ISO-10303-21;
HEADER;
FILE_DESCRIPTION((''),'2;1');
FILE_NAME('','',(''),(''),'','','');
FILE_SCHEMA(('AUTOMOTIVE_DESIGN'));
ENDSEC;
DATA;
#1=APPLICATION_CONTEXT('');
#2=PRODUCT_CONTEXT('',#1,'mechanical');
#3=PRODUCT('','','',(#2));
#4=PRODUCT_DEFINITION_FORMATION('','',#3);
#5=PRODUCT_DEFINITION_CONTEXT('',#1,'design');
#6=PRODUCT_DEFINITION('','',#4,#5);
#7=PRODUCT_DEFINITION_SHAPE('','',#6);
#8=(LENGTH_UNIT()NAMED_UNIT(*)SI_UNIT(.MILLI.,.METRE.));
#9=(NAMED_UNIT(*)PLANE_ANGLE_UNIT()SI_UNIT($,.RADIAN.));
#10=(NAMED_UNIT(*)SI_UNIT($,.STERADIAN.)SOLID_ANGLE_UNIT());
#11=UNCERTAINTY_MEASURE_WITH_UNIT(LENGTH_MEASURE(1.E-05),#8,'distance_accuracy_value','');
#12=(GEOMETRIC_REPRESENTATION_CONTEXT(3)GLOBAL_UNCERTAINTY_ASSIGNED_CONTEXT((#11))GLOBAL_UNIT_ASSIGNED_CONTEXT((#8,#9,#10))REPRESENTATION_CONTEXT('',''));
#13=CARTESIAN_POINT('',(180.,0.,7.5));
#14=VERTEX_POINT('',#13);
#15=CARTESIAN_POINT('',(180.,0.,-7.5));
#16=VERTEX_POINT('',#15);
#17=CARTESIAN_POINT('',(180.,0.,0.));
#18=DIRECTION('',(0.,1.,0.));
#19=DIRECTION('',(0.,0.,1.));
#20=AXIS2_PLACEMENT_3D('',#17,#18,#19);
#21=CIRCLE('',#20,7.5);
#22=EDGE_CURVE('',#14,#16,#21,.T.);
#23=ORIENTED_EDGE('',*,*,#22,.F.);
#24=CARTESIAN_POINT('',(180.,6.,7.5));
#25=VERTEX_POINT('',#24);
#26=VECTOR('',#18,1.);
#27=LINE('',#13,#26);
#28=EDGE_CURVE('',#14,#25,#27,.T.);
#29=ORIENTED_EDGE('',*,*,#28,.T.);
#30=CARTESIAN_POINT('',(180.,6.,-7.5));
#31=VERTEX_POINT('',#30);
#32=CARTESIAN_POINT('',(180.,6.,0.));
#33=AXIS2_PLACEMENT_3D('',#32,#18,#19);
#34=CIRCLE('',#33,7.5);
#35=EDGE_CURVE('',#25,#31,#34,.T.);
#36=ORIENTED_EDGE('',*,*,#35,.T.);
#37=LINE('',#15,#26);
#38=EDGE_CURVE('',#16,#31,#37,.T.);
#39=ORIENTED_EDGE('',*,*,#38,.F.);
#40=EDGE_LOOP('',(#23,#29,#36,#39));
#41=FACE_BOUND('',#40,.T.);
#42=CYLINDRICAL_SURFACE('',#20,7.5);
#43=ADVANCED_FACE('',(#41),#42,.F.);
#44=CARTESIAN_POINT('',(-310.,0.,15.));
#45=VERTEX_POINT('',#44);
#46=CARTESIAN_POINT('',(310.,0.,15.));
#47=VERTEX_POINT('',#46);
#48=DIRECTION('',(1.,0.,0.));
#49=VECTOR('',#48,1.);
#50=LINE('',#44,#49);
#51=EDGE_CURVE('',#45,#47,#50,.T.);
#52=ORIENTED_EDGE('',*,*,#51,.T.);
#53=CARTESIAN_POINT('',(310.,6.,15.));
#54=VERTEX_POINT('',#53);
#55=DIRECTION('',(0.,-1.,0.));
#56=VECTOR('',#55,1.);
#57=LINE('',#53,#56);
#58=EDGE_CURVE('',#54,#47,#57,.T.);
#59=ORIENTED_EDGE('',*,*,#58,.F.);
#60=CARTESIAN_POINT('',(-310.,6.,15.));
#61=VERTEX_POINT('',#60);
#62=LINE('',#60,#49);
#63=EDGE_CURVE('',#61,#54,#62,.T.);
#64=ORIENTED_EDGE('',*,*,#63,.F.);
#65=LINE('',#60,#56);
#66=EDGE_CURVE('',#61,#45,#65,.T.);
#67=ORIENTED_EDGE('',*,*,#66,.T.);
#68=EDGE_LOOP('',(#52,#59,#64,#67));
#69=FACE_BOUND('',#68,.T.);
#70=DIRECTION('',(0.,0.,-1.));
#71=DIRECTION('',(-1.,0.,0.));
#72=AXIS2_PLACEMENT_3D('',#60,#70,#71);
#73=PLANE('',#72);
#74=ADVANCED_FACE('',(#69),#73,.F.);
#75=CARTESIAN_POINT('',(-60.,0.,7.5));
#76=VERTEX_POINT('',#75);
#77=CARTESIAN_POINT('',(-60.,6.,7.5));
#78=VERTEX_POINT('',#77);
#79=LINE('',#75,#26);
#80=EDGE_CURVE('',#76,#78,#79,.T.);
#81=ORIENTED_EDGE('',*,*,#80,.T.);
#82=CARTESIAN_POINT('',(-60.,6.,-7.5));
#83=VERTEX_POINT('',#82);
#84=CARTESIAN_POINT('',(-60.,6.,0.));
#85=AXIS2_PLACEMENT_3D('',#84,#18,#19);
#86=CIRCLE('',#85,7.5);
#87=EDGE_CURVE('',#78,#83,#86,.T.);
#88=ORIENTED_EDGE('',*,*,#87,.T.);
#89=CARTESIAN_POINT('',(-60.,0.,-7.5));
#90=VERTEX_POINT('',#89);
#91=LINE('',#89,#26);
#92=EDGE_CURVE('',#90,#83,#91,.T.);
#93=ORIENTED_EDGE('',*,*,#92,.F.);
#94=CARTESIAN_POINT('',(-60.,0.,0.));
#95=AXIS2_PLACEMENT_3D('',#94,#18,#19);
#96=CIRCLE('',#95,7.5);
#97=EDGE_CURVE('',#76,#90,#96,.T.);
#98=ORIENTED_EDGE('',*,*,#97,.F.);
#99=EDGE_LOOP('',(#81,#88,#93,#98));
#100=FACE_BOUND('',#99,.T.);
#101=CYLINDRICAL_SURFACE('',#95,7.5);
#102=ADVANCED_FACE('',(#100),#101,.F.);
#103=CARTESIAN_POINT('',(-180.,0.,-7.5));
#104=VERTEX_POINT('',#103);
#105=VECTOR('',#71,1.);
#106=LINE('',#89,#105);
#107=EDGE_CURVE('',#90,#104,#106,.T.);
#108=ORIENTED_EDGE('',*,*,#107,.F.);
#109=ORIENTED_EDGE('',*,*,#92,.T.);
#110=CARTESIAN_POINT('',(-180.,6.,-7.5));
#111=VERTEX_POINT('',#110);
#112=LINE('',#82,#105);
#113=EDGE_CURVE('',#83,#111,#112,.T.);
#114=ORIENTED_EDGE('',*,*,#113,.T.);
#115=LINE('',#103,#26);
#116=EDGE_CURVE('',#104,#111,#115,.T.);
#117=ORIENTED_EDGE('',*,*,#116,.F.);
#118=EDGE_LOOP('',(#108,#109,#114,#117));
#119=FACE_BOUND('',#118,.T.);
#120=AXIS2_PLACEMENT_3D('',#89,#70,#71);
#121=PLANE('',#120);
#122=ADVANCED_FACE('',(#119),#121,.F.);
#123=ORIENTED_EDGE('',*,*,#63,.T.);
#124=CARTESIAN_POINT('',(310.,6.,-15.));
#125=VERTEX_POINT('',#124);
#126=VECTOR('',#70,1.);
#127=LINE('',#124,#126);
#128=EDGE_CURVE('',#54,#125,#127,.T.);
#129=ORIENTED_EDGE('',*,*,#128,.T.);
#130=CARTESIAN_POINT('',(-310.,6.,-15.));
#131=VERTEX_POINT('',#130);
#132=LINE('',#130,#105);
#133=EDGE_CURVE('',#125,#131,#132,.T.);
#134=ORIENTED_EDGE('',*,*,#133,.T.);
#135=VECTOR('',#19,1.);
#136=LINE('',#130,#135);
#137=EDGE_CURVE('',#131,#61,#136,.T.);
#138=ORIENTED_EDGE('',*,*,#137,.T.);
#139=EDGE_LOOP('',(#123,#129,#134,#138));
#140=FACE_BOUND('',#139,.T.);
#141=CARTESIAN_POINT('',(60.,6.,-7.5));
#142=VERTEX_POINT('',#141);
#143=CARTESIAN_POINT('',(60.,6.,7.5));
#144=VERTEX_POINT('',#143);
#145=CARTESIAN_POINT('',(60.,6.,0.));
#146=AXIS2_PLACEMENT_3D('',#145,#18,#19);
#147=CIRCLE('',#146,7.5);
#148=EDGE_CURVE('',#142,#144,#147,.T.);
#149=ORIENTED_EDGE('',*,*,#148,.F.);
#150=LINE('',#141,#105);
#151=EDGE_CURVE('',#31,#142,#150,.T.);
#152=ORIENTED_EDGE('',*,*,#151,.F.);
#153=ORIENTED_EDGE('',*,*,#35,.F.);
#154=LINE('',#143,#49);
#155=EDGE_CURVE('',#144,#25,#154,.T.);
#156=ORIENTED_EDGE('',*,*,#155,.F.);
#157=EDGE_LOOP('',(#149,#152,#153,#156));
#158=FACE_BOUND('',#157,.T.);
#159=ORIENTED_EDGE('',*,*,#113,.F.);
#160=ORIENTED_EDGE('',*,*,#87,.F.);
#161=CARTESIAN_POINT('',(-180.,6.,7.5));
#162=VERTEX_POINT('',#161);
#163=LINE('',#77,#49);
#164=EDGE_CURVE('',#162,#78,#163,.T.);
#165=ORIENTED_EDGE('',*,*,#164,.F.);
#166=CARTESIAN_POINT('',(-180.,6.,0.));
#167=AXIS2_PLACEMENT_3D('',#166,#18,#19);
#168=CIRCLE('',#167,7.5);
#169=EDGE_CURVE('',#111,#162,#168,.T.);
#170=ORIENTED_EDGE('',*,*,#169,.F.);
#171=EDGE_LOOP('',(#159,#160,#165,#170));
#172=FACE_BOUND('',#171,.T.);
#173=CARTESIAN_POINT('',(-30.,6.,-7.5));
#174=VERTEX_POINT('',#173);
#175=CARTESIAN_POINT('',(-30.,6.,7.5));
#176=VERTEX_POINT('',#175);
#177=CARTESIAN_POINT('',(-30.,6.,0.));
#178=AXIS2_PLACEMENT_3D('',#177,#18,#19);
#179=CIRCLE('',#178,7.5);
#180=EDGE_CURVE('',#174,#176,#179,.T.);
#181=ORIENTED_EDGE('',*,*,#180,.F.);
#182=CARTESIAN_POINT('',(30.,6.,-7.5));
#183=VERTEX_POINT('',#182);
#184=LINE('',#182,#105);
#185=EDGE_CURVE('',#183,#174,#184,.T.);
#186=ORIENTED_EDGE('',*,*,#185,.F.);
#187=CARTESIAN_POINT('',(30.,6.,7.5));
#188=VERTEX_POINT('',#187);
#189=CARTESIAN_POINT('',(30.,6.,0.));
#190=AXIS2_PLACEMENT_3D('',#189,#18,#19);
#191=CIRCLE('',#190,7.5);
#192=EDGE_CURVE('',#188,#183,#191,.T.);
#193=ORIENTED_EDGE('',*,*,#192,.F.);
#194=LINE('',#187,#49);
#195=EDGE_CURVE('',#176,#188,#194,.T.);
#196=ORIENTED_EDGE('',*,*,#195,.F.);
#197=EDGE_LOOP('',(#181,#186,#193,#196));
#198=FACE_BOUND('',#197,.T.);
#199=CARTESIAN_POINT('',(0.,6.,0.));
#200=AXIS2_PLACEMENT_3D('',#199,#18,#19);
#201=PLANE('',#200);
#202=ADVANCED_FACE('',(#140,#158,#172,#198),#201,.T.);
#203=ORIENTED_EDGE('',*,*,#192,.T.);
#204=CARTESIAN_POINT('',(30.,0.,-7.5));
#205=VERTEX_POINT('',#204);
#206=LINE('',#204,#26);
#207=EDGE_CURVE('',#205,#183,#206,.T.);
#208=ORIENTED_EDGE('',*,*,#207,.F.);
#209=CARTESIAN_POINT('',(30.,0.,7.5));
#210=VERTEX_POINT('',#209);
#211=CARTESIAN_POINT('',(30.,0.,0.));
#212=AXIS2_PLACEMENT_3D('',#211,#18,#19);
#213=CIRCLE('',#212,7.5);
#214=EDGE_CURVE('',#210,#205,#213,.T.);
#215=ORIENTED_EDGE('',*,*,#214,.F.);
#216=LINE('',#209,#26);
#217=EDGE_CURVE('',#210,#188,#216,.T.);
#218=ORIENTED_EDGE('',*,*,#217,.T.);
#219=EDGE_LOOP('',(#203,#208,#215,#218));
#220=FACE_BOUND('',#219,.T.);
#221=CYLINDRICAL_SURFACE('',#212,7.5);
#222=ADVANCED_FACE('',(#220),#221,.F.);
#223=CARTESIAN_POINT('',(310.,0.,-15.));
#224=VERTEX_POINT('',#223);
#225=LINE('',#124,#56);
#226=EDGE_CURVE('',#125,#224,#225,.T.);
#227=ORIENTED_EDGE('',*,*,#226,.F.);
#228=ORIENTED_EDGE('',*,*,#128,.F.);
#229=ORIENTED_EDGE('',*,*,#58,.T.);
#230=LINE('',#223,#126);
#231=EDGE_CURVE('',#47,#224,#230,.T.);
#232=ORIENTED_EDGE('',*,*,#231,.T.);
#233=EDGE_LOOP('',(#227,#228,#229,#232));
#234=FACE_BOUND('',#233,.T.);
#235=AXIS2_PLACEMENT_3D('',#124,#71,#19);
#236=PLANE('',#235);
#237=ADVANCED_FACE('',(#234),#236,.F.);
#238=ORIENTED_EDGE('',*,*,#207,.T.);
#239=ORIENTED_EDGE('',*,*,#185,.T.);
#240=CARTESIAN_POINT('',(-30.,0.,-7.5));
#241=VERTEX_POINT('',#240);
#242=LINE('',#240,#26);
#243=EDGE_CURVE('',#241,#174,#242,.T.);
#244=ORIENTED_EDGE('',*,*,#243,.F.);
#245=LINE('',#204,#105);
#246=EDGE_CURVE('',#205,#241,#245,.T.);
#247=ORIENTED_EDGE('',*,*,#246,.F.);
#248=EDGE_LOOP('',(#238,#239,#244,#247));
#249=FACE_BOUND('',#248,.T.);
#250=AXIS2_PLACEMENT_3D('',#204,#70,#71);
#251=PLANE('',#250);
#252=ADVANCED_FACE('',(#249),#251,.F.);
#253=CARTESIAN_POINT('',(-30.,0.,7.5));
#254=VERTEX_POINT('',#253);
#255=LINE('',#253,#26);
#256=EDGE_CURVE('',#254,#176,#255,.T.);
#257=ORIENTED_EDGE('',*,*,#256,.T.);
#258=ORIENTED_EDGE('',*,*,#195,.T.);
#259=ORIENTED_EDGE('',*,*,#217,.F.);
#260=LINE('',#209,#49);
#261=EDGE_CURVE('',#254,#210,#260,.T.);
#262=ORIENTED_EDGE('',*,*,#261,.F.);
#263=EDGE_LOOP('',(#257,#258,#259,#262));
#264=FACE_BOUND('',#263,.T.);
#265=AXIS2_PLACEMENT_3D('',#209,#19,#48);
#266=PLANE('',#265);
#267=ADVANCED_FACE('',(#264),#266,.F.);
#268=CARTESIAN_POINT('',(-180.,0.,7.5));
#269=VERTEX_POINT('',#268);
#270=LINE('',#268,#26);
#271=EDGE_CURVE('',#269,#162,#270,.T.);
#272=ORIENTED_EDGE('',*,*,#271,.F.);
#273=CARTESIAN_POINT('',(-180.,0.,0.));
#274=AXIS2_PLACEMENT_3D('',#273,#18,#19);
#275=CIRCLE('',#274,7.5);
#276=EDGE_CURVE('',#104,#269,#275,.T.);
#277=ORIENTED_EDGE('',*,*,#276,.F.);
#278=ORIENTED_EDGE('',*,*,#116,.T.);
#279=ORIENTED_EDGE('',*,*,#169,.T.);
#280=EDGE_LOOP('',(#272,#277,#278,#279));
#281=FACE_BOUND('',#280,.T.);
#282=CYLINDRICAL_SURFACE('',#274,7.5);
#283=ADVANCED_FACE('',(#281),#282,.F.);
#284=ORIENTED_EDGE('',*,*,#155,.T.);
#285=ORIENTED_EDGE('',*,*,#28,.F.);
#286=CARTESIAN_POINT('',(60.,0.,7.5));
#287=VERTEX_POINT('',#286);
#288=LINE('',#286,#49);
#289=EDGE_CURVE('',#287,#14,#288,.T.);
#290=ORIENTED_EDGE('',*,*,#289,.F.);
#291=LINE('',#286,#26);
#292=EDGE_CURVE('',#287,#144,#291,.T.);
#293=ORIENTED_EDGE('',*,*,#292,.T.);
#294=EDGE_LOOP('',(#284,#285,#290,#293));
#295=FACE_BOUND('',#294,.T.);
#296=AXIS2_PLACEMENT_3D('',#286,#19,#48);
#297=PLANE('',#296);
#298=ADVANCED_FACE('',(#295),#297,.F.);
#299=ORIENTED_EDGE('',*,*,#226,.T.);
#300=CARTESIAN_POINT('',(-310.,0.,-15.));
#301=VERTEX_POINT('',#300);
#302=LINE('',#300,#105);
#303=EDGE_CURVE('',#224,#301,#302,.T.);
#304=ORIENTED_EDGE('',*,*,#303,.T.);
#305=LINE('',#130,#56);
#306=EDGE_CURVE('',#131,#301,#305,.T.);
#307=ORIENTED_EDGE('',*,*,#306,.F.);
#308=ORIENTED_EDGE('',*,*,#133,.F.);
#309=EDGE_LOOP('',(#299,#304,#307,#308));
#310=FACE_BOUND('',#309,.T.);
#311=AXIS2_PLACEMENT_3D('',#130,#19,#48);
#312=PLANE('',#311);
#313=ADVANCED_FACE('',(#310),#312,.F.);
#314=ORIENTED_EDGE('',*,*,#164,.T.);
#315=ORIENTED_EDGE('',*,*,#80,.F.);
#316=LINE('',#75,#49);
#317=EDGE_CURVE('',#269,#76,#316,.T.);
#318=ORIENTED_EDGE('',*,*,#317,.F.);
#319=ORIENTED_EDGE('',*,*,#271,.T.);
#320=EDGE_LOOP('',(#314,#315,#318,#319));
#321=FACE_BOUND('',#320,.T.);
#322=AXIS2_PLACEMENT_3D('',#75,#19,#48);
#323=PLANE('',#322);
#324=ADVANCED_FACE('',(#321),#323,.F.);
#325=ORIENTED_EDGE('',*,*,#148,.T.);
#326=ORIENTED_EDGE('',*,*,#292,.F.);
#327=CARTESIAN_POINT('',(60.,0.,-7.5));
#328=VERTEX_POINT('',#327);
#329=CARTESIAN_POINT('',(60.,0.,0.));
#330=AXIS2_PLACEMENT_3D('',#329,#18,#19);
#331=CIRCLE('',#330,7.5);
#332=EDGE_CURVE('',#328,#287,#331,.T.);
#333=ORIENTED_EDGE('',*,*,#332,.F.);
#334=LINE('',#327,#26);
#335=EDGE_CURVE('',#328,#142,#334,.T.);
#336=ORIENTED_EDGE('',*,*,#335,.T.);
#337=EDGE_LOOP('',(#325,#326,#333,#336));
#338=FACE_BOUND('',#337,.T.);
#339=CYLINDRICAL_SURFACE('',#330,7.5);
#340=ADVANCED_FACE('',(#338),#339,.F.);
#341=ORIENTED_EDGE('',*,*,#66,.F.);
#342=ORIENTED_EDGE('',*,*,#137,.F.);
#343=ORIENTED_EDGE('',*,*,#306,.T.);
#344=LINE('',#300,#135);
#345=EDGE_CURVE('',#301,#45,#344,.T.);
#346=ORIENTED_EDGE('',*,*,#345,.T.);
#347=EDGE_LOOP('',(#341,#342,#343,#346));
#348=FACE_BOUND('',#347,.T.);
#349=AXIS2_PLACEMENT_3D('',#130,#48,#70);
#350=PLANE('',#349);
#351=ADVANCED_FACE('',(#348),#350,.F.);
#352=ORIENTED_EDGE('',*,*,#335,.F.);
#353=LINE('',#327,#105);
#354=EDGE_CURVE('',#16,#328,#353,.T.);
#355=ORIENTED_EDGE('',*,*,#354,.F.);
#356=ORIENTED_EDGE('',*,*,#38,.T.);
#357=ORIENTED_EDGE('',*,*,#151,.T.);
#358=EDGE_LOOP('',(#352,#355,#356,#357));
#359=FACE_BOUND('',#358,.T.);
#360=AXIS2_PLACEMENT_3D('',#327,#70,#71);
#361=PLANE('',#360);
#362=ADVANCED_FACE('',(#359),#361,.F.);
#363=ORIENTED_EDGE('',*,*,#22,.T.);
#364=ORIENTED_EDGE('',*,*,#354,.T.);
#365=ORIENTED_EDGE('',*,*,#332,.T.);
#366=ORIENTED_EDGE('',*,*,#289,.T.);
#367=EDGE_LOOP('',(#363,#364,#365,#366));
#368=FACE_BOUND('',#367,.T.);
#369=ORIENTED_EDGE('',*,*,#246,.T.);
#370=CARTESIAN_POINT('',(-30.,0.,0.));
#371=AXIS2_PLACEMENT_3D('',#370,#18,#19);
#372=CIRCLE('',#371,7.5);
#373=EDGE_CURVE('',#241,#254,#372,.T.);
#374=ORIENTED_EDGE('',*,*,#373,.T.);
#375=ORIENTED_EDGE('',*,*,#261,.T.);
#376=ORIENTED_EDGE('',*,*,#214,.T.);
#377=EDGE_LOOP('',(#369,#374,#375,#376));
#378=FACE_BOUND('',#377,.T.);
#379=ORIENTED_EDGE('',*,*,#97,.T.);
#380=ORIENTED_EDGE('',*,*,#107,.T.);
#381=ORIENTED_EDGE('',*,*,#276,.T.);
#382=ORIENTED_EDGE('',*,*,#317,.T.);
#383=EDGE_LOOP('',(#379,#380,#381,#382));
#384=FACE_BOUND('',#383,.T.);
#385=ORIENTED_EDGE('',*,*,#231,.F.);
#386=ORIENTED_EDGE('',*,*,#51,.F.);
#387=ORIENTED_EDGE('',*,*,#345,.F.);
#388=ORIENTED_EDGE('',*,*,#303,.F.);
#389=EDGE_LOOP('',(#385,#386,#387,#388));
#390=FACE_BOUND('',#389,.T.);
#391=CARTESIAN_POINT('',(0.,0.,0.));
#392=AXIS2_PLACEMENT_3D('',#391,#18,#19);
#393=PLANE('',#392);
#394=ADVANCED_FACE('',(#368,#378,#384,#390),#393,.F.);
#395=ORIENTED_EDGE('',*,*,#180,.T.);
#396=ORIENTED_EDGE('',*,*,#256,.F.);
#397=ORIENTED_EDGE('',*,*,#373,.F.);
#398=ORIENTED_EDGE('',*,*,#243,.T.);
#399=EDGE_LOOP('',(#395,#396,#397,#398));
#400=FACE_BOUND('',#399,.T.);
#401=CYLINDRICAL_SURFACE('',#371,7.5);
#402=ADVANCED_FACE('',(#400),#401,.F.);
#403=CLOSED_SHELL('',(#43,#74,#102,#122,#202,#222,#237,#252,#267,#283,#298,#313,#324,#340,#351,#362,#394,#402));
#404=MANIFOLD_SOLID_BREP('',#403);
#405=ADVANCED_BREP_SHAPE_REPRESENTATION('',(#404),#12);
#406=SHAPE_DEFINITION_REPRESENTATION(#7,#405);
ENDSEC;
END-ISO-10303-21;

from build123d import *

# Parameters (mm, degrees)
SKETCH_1_W          = 620
SKETCH_1_H          = 30
EXTRUDE_1_DEPTH     = 6
CUT_EXTRUDE_1_DEPTH = 311.420682301


with BuildPart() as part:
    # 草图1 → 凸台-拉伸1 (new body)
    with BuildSketch(Plane(origin=(0, 0, 0), x_dir=(1, 0, 0), z_dir=(0, 1, 0))):
        Rectangle(SKETCH_1_W, SKETCH_1_H)
    extrude(amount=EXTRUDE_1_DEPTH)

    # 草图2 → 切除-拉伸1 (cut, through all)
    with BuildSketch(Plane(origin=(0, 6, 0), x_dir=(1, 0, 0), z_dir=(0, 1, 0))):
        with BuildLine():
            Line((30, -7.5), (-30, -7.5))
            ThreePointArc((-30, -7.5), (-37.5, 0), (-30, 7.5))
            Line((-30, 7.5), (30, 7.5))
            ThreePointArc((30, 7.5), (37.5, 0), (30, -7.5))
        make_face()
        with BuildLine():
            Line((-60, -7.5), (-180, -7.5))
            ThreePointArc((-180, -7.5), (-187.5, 0), (-180, 7.5))
            Line((-180, 7.5), (-60, 7.5))
            ThreePointArc((-60, 7.5), (-52.5, 0), (-60, -7.5))
        make_face()
        with BuildLine():
            Line((60, 7.5), (180, 7.5))
            ThreePointArc((180, 7.5), (187.5, 0), (180, -7.5))
            Line((180, -7.5), (60, -7.5))
            ThreePointArc((60, -7.5), (52.5, 0), (60, 7.5))
        make_face()
    extrude(amount=-CUT_EXTRUDE_1_DEPTH, mode=Mode.SUBTRACT)


solid = part.part
